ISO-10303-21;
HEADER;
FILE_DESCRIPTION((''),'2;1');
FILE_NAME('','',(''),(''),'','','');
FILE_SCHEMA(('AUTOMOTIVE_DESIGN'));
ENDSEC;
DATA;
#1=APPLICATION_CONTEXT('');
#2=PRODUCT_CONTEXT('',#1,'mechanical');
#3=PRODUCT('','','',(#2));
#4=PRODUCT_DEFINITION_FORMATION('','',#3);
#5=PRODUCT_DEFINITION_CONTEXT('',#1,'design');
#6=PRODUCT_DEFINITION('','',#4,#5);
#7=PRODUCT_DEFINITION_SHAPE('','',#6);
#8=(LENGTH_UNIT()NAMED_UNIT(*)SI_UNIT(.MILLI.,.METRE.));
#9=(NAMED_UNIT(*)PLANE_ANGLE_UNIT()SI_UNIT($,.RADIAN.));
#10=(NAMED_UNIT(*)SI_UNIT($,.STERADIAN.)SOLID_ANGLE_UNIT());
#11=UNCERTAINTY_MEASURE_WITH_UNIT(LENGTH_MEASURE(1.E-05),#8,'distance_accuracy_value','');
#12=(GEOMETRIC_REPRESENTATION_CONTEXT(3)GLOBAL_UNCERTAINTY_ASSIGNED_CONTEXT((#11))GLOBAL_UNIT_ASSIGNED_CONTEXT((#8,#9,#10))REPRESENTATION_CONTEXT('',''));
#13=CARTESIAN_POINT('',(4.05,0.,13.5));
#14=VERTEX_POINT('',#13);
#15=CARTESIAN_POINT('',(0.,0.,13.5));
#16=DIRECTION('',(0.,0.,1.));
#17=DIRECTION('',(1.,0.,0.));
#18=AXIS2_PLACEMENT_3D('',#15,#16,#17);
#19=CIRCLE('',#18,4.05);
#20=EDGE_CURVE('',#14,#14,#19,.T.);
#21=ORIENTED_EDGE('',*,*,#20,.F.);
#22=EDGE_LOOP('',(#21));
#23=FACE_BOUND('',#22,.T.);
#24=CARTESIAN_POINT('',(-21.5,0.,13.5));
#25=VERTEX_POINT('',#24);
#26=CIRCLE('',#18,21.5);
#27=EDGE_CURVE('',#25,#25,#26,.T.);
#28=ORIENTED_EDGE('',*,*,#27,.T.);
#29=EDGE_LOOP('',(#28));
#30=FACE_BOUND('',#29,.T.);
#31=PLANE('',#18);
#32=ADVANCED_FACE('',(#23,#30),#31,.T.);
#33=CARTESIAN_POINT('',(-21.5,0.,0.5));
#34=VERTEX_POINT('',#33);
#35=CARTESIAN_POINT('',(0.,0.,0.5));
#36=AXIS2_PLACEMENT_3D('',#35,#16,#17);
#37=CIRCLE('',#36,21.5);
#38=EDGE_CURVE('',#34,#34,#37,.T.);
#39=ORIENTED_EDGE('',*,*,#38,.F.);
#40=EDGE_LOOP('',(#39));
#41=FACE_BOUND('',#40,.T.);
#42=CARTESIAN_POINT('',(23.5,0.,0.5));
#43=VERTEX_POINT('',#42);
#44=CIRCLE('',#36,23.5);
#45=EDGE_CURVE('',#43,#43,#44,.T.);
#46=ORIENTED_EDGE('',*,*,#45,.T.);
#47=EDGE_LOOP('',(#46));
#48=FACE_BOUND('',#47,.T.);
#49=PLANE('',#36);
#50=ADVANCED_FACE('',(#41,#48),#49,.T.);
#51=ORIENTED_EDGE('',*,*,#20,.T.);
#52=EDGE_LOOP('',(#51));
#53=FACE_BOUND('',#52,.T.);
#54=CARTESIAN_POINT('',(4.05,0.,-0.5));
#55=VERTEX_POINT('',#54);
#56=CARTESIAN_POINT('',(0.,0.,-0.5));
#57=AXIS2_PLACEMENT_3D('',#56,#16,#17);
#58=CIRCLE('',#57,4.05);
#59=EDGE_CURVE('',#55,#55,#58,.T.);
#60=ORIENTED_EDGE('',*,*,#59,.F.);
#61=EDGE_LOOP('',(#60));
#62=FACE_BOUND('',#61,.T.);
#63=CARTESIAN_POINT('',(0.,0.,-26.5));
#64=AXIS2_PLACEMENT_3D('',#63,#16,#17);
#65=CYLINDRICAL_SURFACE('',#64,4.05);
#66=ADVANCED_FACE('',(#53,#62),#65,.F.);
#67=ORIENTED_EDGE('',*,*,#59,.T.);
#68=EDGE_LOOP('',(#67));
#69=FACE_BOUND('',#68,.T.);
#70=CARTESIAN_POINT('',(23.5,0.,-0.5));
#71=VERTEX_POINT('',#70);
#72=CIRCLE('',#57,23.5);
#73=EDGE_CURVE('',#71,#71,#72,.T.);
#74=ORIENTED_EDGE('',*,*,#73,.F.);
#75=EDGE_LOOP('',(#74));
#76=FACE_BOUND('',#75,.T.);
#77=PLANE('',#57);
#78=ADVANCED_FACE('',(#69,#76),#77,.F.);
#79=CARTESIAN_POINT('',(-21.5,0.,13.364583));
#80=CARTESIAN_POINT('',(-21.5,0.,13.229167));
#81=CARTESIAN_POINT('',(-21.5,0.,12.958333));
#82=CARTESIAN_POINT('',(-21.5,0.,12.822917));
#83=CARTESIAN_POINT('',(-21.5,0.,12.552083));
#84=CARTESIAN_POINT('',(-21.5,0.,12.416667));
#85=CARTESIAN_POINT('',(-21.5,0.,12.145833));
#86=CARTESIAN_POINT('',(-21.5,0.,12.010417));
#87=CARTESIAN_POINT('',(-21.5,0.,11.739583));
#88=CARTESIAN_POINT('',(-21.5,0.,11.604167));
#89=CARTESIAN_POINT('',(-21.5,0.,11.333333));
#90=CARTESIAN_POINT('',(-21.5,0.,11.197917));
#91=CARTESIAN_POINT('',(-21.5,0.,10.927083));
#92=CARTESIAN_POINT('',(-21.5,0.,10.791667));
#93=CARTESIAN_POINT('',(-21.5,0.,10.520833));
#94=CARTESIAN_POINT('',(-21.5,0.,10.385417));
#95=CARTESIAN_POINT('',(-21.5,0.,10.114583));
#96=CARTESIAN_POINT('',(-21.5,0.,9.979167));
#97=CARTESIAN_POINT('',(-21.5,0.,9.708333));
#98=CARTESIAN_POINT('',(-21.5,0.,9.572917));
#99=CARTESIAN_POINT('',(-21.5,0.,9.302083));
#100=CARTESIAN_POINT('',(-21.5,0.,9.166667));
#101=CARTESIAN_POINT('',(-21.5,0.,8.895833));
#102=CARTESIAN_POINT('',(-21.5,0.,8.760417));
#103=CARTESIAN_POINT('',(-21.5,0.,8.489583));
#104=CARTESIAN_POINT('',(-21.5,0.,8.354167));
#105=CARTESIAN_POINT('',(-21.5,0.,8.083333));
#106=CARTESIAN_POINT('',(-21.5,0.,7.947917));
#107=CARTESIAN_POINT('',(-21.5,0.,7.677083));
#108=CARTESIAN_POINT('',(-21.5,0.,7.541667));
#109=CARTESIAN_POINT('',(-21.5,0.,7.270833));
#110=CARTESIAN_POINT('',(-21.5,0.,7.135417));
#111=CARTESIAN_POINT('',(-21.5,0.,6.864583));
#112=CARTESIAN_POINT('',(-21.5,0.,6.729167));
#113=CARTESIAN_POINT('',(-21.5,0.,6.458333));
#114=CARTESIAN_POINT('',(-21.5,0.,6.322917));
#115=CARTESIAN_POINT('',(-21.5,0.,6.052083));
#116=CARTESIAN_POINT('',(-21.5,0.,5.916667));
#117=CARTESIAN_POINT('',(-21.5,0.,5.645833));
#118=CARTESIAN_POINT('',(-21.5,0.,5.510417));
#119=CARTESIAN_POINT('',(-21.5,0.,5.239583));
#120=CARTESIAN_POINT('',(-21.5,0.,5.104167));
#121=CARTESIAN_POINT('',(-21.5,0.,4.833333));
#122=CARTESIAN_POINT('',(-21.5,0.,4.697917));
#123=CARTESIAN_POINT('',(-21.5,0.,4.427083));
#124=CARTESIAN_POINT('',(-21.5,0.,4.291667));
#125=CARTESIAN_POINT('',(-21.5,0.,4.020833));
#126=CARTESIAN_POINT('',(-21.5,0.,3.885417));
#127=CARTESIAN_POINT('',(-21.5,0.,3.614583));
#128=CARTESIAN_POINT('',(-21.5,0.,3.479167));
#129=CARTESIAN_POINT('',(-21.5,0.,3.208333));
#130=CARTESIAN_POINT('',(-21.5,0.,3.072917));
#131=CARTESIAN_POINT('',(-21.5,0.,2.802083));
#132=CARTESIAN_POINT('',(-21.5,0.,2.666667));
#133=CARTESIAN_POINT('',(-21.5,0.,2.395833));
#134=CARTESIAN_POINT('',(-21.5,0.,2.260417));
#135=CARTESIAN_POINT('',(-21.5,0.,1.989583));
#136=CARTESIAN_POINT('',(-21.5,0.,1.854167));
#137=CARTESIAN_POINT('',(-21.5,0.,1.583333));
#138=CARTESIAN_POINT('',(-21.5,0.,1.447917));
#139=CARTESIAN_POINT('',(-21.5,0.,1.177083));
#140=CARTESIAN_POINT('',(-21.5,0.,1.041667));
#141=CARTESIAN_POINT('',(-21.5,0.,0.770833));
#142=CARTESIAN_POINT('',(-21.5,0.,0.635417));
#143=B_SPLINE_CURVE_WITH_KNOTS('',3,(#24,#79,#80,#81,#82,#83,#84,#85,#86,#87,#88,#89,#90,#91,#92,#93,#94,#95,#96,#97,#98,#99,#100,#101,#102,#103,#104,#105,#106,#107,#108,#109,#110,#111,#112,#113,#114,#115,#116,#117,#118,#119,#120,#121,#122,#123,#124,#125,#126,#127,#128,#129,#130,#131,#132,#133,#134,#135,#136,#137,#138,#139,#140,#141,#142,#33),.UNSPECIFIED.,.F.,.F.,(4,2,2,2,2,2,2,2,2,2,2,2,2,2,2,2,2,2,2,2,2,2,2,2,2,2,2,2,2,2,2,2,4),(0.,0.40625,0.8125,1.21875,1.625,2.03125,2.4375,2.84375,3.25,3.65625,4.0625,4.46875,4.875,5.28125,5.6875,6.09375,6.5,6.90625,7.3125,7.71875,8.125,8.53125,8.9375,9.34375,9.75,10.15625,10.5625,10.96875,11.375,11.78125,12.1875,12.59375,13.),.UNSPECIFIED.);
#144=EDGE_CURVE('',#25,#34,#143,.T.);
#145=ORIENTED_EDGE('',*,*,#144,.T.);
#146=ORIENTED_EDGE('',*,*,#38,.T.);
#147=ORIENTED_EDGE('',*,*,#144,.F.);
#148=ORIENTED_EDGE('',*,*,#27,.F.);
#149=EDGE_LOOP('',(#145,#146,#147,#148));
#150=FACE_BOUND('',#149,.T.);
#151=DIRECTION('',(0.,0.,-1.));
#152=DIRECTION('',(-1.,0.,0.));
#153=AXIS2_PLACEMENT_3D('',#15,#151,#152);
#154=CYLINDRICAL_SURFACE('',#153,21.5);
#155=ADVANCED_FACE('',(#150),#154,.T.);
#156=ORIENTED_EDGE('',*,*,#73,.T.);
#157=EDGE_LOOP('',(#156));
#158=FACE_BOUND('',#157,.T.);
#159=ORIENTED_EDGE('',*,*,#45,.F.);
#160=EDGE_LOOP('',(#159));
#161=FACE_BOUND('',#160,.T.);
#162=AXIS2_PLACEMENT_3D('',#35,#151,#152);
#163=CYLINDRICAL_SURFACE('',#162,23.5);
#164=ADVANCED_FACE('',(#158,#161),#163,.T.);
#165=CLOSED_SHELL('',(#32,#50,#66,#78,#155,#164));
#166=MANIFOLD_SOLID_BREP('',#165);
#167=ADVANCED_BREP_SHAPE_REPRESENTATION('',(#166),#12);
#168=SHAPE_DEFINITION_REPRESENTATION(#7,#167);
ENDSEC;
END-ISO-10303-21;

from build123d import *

# Parameters (mm, degrees)
CROQUIS1_R              = 23.5
SALIENTE_EXTRUIR1_DEPTH = 0.5
CROQUIS2_R              = 21.5
SALIENTE_EXTRUIR2_DEPTH = 13
CROQUIS3_R              = 4.05
CORTAR_EXTRUIR1_DEPTH   = 40


with BuildPart() as part:
    # Croquis1 → Saliente-Extruir1 (new, symmetric)
    with BuildSketch(Plane.XY):
        Circle(CROQUIS1_R)
    extrude(amount=SALIENTE_EXTRUIR1_DEPTH, both=True)

    # Croquis2 → Saliente-Extruir2 (add)
    with BuildSketch(Plane.XY.offset(0.5)):
        with Locations(Location((0, 0, 0), (0, 0, 180))):
            Circle(CROQUIS2_R)
    extrude(amount=SALIENTE_EXTRUIR2_DEPTH)

    # Croquis3 → Cortar-Extruir1 (cut)
    with BuildSketch(Plane.XY.offset(13.5)):
        Circle(CROQUIS3_R)
    extrude(amount=-CORTAR_EXTRUIR1_DEPTH, mode=Mode.SUBTRACT)


solid = part.part
